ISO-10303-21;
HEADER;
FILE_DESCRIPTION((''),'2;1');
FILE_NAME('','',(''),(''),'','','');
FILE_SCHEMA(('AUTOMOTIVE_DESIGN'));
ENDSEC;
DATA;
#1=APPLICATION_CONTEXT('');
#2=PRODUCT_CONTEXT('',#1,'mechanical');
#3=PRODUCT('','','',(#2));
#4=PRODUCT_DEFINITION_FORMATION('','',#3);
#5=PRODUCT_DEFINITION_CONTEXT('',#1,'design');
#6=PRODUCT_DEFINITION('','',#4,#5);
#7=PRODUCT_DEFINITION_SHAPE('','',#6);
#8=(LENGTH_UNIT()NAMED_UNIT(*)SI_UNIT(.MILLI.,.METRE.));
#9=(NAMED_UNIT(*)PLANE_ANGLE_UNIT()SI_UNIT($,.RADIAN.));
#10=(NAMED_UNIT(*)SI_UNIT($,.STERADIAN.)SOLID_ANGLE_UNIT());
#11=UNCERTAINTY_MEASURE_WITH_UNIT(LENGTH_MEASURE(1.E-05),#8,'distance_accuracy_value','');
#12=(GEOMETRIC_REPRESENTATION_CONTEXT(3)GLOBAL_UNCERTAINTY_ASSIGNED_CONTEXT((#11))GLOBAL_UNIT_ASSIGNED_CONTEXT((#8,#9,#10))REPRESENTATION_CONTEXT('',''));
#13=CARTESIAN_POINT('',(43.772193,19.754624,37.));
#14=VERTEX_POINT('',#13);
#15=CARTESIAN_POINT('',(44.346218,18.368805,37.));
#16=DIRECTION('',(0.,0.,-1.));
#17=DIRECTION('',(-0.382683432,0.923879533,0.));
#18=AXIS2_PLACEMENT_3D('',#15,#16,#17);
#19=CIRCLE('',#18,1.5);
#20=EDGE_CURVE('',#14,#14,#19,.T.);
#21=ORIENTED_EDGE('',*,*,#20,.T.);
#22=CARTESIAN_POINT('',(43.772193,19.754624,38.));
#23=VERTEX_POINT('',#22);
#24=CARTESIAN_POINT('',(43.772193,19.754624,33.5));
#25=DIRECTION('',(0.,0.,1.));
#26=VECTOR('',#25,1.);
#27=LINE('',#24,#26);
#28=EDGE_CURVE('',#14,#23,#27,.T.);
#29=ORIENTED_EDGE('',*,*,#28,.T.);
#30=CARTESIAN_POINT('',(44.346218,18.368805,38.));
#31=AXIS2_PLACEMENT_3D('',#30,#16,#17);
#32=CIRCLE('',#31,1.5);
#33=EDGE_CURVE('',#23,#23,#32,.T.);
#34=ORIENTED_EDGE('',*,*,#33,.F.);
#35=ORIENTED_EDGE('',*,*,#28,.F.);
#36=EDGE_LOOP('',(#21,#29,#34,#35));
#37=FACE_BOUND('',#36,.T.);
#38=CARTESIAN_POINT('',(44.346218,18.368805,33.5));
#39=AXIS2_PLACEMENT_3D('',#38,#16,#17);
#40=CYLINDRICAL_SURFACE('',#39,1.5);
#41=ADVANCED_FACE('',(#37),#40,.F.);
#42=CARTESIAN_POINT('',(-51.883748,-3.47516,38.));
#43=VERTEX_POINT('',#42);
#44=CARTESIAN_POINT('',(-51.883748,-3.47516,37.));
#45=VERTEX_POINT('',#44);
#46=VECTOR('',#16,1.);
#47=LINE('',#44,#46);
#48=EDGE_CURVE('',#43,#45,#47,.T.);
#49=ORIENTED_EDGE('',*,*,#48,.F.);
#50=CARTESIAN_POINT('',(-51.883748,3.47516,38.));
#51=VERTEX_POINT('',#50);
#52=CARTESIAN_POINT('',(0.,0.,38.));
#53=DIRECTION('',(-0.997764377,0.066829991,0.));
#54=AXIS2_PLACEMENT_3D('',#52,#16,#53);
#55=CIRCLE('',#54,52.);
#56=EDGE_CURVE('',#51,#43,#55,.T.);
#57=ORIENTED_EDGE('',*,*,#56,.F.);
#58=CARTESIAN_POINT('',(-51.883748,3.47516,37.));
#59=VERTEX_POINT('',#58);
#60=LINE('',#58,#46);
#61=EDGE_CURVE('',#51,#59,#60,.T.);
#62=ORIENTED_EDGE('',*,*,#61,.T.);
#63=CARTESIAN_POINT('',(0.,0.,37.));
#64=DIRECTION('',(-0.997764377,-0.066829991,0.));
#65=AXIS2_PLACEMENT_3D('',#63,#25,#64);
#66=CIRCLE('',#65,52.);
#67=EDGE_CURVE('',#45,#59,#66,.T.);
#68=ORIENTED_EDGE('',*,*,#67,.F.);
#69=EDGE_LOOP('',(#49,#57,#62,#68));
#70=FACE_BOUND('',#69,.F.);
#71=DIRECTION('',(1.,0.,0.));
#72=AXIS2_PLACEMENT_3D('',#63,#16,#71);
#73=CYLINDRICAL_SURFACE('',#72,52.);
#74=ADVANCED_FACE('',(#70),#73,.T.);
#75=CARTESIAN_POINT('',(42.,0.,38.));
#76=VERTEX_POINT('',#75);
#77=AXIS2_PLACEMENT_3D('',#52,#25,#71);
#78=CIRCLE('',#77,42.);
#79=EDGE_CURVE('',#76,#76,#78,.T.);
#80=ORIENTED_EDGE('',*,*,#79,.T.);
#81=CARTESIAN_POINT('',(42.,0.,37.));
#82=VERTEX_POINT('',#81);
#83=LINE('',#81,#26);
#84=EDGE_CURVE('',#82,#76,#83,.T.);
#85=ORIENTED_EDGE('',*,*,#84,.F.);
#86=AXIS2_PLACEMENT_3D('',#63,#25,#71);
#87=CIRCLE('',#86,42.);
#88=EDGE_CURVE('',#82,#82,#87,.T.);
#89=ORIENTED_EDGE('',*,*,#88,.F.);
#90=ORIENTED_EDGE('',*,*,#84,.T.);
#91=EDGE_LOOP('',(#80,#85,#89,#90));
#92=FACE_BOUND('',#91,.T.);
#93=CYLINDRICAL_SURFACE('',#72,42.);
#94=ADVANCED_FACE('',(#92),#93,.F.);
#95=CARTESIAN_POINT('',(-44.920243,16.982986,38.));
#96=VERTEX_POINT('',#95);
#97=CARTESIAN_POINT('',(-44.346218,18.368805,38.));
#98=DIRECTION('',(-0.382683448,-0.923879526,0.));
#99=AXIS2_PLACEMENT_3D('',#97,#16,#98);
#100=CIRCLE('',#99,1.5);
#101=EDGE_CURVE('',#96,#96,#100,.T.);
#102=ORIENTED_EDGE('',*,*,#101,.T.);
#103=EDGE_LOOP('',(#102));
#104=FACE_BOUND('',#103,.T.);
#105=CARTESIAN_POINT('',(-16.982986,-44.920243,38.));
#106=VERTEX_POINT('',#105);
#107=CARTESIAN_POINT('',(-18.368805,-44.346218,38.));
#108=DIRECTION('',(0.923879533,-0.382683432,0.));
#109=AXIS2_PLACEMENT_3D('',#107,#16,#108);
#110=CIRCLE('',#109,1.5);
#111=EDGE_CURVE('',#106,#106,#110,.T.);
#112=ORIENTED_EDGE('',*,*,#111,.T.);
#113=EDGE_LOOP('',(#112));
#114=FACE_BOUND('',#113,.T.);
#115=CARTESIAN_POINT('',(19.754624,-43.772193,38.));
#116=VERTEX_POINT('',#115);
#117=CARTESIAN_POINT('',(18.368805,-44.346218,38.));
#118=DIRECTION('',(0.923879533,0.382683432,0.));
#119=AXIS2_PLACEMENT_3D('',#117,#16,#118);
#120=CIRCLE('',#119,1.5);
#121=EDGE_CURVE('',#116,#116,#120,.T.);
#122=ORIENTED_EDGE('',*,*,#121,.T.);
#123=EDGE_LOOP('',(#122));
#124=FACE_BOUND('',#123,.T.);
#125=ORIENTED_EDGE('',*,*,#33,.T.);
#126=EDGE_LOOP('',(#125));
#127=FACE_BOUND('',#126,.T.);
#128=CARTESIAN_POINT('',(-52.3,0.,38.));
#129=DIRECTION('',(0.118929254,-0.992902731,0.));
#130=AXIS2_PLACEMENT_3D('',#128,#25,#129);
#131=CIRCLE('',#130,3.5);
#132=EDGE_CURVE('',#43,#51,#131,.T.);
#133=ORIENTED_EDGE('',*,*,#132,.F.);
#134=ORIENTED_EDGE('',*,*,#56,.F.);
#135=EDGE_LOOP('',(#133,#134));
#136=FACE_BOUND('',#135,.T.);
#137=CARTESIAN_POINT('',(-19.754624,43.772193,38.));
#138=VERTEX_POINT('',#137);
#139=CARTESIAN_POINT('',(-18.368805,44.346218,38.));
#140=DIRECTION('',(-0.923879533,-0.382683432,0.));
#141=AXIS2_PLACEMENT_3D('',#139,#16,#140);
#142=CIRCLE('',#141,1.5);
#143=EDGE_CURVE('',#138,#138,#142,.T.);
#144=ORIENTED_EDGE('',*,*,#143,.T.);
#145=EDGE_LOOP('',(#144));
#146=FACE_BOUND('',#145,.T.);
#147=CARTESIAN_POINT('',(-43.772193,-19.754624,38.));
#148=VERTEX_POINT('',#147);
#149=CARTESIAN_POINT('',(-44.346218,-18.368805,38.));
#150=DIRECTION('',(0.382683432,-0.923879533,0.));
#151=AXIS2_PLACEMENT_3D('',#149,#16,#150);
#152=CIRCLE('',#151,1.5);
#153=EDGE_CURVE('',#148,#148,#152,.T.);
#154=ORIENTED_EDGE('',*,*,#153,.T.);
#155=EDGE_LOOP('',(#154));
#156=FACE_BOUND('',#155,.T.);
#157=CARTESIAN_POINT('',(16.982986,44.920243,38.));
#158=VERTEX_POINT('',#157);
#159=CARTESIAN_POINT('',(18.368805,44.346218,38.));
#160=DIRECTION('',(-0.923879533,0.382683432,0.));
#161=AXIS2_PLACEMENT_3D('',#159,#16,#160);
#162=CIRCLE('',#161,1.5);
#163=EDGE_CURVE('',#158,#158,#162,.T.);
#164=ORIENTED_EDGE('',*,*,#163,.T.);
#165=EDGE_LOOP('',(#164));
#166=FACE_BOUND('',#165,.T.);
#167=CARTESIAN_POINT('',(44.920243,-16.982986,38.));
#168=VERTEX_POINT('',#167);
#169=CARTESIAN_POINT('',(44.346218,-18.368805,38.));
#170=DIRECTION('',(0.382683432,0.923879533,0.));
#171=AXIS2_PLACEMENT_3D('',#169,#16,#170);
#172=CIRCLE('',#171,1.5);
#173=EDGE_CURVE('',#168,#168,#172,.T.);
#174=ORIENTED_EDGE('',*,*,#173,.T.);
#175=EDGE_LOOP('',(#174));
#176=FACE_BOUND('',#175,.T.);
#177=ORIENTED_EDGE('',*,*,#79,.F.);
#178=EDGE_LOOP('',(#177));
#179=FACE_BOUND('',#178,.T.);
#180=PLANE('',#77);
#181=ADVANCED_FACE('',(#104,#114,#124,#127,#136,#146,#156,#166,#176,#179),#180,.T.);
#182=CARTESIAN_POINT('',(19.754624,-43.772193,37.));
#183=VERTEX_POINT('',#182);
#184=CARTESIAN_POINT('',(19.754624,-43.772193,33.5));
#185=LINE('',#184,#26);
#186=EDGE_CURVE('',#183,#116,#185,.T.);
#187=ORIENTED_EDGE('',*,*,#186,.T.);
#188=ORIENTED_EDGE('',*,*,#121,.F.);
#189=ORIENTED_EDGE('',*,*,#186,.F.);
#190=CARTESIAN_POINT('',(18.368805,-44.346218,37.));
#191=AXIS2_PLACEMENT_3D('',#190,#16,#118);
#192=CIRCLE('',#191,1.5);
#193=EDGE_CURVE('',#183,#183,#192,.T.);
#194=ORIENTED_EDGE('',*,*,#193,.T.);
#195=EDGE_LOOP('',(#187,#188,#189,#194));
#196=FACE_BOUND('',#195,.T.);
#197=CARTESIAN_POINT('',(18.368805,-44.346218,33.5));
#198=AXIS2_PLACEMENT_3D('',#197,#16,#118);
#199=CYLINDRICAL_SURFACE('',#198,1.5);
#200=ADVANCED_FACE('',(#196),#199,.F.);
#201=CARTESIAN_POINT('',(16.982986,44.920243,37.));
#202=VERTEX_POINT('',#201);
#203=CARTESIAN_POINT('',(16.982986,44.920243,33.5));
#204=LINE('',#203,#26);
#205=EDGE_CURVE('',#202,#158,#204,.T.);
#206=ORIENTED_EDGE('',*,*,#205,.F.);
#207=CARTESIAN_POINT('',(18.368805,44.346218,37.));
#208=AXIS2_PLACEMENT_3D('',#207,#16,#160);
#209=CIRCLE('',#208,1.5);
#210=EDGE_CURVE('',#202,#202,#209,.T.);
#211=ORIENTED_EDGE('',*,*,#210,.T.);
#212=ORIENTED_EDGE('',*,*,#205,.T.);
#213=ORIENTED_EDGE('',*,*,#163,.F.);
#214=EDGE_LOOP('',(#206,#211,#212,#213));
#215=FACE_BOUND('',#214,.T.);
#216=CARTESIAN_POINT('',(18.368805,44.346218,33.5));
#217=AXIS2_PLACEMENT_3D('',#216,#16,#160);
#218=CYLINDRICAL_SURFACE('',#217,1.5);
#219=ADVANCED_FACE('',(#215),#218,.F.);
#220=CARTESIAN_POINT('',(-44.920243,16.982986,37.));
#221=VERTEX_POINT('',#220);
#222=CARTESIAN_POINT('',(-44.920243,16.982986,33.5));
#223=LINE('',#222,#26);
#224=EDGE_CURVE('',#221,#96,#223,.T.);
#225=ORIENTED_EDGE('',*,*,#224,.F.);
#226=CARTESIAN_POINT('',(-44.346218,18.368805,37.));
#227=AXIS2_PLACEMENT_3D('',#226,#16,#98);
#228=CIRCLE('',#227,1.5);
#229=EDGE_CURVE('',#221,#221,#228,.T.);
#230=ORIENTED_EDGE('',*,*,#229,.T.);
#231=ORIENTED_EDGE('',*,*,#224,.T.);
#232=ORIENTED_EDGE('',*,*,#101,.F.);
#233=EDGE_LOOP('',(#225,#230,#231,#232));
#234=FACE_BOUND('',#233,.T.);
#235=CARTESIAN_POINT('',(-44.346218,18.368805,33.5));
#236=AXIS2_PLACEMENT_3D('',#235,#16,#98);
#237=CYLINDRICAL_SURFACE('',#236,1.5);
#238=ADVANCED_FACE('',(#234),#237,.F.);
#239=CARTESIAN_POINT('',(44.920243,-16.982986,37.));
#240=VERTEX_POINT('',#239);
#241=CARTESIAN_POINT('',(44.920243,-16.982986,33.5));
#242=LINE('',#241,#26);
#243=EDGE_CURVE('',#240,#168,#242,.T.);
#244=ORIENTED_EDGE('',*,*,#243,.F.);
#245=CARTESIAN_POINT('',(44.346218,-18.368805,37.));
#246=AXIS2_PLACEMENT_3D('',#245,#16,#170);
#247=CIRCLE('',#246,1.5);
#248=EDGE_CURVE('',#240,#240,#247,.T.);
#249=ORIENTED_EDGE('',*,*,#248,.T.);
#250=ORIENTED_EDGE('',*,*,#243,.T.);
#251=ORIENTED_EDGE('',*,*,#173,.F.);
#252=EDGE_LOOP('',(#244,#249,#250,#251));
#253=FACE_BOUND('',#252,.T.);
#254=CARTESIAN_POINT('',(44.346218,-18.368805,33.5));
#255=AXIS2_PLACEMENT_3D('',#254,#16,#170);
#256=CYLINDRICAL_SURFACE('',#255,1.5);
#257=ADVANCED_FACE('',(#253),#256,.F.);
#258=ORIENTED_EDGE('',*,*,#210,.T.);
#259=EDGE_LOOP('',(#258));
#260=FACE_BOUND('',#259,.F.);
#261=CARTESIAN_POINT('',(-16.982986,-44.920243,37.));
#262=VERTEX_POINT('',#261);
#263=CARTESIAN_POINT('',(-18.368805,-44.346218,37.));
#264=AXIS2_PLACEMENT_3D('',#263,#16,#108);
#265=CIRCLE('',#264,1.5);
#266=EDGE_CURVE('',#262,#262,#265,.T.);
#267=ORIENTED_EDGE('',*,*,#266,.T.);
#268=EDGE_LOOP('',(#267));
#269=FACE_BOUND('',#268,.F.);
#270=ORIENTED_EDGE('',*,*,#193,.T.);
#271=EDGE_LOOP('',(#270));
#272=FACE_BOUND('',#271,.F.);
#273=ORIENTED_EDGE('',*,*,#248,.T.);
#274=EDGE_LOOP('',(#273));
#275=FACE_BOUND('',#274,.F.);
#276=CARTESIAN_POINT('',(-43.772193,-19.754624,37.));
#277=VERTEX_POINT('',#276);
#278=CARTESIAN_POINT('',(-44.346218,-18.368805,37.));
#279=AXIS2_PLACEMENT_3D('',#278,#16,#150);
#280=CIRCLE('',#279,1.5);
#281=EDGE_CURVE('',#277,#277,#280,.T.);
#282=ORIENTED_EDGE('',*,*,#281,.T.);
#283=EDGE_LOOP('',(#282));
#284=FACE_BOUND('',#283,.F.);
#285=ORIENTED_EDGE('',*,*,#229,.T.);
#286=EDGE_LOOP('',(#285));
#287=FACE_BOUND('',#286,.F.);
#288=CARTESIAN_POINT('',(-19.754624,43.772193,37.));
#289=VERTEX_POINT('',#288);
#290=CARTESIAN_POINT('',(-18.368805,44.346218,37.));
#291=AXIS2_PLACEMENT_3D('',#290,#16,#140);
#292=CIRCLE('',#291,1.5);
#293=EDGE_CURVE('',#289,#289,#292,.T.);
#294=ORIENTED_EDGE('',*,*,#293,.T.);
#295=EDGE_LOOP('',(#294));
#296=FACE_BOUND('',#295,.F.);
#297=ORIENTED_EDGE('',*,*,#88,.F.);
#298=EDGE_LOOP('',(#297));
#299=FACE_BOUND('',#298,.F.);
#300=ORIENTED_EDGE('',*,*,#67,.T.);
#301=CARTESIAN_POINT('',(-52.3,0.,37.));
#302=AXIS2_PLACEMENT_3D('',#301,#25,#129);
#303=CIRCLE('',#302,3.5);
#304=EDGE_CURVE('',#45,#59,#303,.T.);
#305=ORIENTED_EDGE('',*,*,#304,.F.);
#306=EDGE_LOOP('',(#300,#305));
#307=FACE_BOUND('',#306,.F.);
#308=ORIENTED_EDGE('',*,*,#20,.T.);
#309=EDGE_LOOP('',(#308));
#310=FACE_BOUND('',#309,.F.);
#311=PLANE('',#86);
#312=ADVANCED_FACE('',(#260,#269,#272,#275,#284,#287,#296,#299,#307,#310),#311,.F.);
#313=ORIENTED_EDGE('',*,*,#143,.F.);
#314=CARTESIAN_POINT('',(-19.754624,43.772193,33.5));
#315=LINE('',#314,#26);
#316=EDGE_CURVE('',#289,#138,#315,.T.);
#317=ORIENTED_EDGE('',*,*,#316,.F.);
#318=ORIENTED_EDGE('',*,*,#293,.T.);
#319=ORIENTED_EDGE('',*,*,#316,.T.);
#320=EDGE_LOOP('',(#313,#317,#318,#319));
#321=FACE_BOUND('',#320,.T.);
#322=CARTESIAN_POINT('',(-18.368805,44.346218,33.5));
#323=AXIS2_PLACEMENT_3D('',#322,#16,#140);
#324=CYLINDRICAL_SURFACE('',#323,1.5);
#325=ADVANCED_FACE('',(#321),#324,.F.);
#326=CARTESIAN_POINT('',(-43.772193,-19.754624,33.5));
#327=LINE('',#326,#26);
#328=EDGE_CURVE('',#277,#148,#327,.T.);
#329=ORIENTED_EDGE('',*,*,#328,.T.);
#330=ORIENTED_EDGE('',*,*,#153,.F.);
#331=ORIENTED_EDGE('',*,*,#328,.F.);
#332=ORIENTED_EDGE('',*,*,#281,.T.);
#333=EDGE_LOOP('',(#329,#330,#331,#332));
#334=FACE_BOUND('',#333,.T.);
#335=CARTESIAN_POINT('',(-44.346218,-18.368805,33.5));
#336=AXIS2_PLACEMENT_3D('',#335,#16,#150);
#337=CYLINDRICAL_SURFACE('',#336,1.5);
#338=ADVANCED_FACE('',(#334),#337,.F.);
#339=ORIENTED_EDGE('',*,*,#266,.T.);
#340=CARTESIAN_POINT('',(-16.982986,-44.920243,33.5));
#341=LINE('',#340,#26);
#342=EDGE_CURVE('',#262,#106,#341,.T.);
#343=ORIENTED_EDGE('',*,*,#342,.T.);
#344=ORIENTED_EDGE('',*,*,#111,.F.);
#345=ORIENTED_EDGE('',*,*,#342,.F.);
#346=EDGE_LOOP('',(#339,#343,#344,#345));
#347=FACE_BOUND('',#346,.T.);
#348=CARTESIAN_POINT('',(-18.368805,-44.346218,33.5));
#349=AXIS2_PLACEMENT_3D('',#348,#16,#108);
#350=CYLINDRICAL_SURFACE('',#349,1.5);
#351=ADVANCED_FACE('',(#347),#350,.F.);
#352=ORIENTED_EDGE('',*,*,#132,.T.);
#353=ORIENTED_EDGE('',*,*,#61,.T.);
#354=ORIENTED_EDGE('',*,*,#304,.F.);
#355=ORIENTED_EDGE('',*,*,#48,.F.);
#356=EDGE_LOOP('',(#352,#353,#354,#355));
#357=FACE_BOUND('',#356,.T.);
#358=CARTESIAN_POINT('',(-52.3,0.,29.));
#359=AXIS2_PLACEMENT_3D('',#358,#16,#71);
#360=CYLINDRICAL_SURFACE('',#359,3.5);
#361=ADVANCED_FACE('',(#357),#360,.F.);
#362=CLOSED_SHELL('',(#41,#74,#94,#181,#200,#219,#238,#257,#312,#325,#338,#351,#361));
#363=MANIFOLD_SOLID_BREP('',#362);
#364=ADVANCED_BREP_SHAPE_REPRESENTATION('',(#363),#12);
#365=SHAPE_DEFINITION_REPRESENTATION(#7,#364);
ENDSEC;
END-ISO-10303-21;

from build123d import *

# Parameters (mm, degrees)
CYLINDER345_R               = 3.5
CYLINDER345_DEPTH           = 20
CYLINDER339_R               = 1.5
CYLINDER339_DEPTH           = 10
CYLINDER339_PLACEMENT_ANGLE = 67.5
CYLINDER340_R               = 1.5
CYLINDER340_DEPTH           = 10
CYLINDER340_PLACEMENT_ANGLE = 112.5
CYLINDER343_R               = 1.5
CYLINDER343_DEPTH           = 10
CYLINDER343_PLACEMENT_ANGLE = 157.5
CYLINDER341_R               = 1.5
CYLINDER341_DEPTH           = 10
CYLINDER341_PLACEMENT_ANGLE = 202.5
CYLINDER338_R               = 1.5
CYLINDER338_DEPTH           = 10
CYLINDER338_PLACEMENT_ANGLE = 112.500001
CYLINDER344_R               = 1.5
CYLINDER344_DEPTH           = 10
CYLINDER344_PLACEMENT_ANGLE = 67.5
CYLINDER342_R               = 1.5
CYLINDER342_DEPTH           = 10
CYLINDER342_PLACEMENT_ANGLE = 22.5
CYLINDER337_R               = 1.5
CYLINDER337_DEPTH           = 10
CYLINDER337_PLACEMENT_ANGLE = 22.5
TUBE033_R                   = 52
TUBE033_R_2                 = 42
TUBE033_DEPTH               = 1


with BuildPart() as v_lec345:
    # Cylinder345 → Cylinder345 (new body)
    with BuildSketch(Plane(origin=(-52.3, 0, 29), x_dir=(1, 0, 0), z_dir=(0, 0, 1))):
        Circle(CYLINDER345_R)
    extrude(amount=CYLINDER345_DEPTH)


with BuildPart() as v_lec339:
    # Cylinder339 → Cylinder339 (new body)
    with BuildSketch(Plane.XY):
        Circle(CYLINDER339_R)
    extrude(amount=CYLINDER339_DEPTH)


with BuildPart() as v_lec339_1:
    # Cylinder339 placement: moved
    add(v_lec339.part.moved(Location((44.346218, -18.368805, 35.5))).rotate(Axis((44.346218, -18.368805, 35.5), (0, 0, 1)), CYLINDER339_PLACEMENT_ANGLE))


with BuildPart() as v_lec340:
    # Cylinder340 → Cylinder340 (new body)
    with BuildSketch(Plane.XY):
        Circle(CYLINDER340_R)
    extrude(amount=CYLINDER340_DEPTH)


with BuildPart() as v_lec340_1:
    # Cylinder340 placement: moved
    add(v_lec340.part.moved(Location((44.346218, 18.368805, 35.5))).rotate(Axis((44.346218, 18.368805, 35.5), (0, 0, 1)), CYLINDER340_PLACEMENT_ANGLE))


with BuildPart() as v_lec343:
    # Cylinder343 → Cylinder343 (new body)
    with BuildSketch(Plane.XY):
        Circle(CYLINDER343_R)
    extrude(amount=CYLINDER343_DEPTH)


with BuildPart() as v_lec343_1:
    # Cylinder343 placement: moved
    add(v_lec343.part.moved(Location((18.368805, 44.346218, 35.5))).rotate(Axis((18.368805, 44.346218, 35.5), (0, 0, 1)), CYLINDER343_PLACEMENT_ANGLE))


with BuildPart() as v_lec341:
    # Cylinder341 → Cylinder341 (new body)
    with BuildSketch(Plane.XY):
        Circle(CYLINDER341_R)
    extrude(amount=CYLINDER341_DEPTH)


with BuildPart() as v_lec341_1:
    # Cylinder341 placement: moved
    add(v_lec341.part.moved(Location((-18.368805, 44.346218, 35.5))).rotate(Axis((-18.368805, 44.346218, 35.5), (0, 0, 1)), CYLINDER341_PLACEMENT_ANGLE))


with BuildPart() as v_lec338:
    # Cylinder338 → Cylinder338 (new body)
    with BuildSketch(Plane.XY):
        Circle(CYLINDER338_R)
    extrude(amount=CYLINDER338_DEPTH)


with BuildPart() as v_lec338_1:
    # Cylinder338 placement: moved
    add(v_lec338.part.moved(Location((-44.346218, 18.368805, 35.5))).rotate(Axis((-44.346218, 18.368805, 35.5), (0, 0, -1)), CYLINDER338_PLACEMENT_ANGLE))


with BuildPart() as v_lec344:
    # Cylinder344 → Cylinder344 (new body)
    with BuildSketch(Plane.XY):
        Circle(CYLINDER344_R)
    extrude(amount=CYLINDER344_DEPTH)


with BuildPart() as v_lec344_1:
    # Cylinder344 placement: moved
    add(v_lec344.part.moved(Location((-44.346218, -18.368805, 35.5))).rotate(Axis((-44.346218, -18.368805, 35.5), (0, 0, -1)), CYLINDER344_PLACEMENT_ANGLE))


with BuildPart() as v_lec342:
    # Cylinder342 → Cylinder342 (new body)
    with BuildSketch(Plane.XY):
        Circle(CYLINDER342_R)
    extrude(amount=CYLINDER342_DEPTH)


with BuildPart() as v_lec342_1:
    # Cylinder342 placement: moved
    add(v_lec342.part.moved(Location((-18.368805, -44.346218, 35.5))).rotate(Axis((-18.368805, -44.346218, 35.5), (0, 0, -1)), CYLINDER342_PLACEMENT_ANGLE))


with BuildPart() as compound253:
    # Cylinder337 → Cylinder337 (new body)
    with BuildSketch(Plane.XY):
        Circle(CYLINDER337_R)
    extrude(amount=CYLINDER337_DEPTH)


with BuildPart() as compound253_1:
    # Cylinder337 placement: moved
    add(compound253.part.moved(Location((18.368805, -44.346218, 35.5))).rotate(Axis((18.368805, -44.346218, 35.5), (0, 0, 1)), CYLINDER337_PLACEMENT_ANGLE))

    # Compound253: union Válec339, Válec340, Válec343, Válec341, Válec338, Válec344, Válec342
    add(v_lec339_1.part)
    add(v_lec340_1.part)
    add(v_lec343_1.part)
    add(v_lec341_1.part)
    add(v_lec338_1.part)
    add(v_lec344_1.part)
    add(v_lec342_1.part)


with BuildPart() as compound253_2:
    # Compound253 placement: moved
    add(compound253_1.part.moved(Location((0, 0, -2))))


with BuildPart() as cut143:
    # Tube033 → Tube033 (new body)
    with BuildSketch(Plane.XY.offset(37)):
        Circle(TUBE033_R)
        Circle(TUBE033_R_2, mode=Mode.SUBTRACT)
    extrude(amount=TUBE033_DEPTH)

    # Cut142: cut Compound253
    add(compound253_2.part, mode=Mode.SUBTRACT)

    # Cut143: cut Válec345
    add(v_lec345.part, mode=Mode.SUBTRACT)


solid = cut143.part
